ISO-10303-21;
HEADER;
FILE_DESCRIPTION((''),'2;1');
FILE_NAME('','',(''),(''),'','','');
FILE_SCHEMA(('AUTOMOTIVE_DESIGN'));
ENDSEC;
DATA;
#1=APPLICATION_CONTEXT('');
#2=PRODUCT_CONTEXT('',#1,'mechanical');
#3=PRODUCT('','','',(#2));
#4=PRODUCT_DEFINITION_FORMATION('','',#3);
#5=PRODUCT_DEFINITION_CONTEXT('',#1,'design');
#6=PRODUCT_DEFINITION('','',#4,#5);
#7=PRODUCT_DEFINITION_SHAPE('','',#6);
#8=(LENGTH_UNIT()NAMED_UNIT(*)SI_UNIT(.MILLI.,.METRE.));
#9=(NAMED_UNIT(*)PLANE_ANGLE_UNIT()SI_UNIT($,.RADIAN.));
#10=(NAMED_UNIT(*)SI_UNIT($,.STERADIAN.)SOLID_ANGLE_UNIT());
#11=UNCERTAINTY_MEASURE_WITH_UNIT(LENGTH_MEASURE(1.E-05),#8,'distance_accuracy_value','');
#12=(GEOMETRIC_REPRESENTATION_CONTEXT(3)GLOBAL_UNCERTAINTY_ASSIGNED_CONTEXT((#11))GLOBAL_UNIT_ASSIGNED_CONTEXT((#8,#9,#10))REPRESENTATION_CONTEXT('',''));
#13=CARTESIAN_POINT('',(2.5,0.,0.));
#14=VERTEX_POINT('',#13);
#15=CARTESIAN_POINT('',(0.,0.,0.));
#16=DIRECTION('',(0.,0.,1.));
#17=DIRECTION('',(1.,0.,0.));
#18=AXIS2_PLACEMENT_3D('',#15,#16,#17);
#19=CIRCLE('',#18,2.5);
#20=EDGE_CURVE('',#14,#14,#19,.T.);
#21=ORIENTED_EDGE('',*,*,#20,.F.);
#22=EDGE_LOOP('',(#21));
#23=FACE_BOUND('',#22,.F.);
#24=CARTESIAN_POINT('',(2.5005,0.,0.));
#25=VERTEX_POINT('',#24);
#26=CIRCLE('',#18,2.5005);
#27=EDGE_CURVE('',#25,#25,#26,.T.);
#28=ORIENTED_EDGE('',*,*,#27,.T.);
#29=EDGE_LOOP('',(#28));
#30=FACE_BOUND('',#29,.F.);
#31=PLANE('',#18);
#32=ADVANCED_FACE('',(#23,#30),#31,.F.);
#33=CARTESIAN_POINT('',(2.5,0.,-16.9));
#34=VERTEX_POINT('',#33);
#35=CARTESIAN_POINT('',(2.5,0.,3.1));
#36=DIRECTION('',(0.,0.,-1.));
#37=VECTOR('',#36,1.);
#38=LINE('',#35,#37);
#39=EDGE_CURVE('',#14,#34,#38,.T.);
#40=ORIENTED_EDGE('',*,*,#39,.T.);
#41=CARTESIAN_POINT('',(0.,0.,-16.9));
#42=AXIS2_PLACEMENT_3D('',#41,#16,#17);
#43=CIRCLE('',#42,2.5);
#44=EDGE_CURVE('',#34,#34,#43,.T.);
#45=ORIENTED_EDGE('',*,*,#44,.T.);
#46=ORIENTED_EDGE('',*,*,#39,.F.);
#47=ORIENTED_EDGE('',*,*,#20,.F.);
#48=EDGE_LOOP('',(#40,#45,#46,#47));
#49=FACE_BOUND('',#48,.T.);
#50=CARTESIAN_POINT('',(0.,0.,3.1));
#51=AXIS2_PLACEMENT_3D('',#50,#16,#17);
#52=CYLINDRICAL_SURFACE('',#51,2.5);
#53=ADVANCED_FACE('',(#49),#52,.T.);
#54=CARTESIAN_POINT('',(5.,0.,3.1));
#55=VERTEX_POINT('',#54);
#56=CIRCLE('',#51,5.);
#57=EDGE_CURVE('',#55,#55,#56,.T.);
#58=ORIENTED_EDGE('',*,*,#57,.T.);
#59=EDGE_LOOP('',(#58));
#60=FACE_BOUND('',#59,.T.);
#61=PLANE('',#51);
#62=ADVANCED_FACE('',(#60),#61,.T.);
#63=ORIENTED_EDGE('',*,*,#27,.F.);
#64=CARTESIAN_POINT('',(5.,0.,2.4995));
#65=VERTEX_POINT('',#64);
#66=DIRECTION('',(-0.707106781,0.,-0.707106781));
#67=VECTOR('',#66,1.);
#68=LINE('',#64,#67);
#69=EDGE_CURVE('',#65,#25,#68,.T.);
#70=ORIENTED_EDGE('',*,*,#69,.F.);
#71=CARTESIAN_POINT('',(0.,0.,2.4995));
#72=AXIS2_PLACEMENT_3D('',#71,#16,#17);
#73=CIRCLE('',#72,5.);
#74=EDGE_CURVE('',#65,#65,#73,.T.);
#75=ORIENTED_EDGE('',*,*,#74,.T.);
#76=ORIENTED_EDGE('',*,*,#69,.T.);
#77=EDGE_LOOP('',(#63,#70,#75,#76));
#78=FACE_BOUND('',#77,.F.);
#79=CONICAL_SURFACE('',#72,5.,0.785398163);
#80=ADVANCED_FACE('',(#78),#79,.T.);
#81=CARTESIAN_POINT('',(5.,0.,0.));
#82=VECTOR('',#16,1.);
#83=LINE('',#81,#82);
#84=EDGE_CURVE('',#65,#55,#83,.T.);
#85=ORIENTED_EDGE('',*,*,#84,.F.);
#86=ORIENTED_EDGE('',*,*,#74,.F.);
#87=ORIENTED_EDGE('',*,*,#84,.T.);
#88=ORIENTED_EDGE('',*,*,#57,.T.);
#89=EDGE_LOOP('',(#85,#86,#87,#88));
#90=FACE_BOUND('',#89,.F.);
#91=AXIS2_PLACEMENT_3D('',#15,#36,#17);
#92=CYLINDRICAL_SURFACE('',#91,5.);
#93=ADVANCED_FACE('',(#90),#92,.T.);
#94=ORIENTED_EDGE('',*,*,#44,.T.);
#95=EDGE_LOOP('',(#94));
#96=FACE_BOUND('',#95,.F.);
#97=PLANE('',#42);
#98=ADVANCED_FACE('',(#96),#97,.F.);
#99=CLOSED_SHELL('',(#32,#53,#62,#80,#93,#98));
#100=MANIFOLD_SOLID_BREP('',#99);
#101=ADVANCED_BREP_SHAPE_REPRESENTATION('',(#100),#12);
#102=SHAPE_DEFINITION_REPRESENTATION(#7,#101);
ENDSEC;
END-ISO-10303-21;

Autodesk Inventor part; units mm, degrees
ref_plane "YZ Plane" through (0, 0, 0) normal (1, 0, 0) x (0, 1, 0)
ref_plane "XZ Plane" through (0, 0, 0) normal (0, 1, 0) x (-1, 0, 0)
ref_plane "XY Plane" through (0, 0, 0) normal (0, 0, 1) x (1, 0, 0)
sketch "スケッチ1" plane through (0, 0, 0) normal (0, 0, 1) x (1, 0, 0)
  circle A0 centre (0, 0) radius 5
  dimension "d0" = 10
extrude "押し出し1" add sketch "スケッチ1" along normal blind 3.1
sketch "スケッチ2" plane through (0, 0, 3.1) normal (0, 0, 1) x (1, 0, 0)
  circle A0 centre (0, 0) radius 2.5
  dimension "d3" = 5
extrude "押し出し2" add sketch "スケッチ2" against normal blind 20
chamfer "面取り1" distance 2.5 angle 45 1 edges at (-5, 0, 0)
thread "ねじ1" size "M5x0.8" class "6g" standard "ANSI Metric M Profile" full length
properties part number "ネジ皿m5,20" material "鋼、高強度、低合金"
